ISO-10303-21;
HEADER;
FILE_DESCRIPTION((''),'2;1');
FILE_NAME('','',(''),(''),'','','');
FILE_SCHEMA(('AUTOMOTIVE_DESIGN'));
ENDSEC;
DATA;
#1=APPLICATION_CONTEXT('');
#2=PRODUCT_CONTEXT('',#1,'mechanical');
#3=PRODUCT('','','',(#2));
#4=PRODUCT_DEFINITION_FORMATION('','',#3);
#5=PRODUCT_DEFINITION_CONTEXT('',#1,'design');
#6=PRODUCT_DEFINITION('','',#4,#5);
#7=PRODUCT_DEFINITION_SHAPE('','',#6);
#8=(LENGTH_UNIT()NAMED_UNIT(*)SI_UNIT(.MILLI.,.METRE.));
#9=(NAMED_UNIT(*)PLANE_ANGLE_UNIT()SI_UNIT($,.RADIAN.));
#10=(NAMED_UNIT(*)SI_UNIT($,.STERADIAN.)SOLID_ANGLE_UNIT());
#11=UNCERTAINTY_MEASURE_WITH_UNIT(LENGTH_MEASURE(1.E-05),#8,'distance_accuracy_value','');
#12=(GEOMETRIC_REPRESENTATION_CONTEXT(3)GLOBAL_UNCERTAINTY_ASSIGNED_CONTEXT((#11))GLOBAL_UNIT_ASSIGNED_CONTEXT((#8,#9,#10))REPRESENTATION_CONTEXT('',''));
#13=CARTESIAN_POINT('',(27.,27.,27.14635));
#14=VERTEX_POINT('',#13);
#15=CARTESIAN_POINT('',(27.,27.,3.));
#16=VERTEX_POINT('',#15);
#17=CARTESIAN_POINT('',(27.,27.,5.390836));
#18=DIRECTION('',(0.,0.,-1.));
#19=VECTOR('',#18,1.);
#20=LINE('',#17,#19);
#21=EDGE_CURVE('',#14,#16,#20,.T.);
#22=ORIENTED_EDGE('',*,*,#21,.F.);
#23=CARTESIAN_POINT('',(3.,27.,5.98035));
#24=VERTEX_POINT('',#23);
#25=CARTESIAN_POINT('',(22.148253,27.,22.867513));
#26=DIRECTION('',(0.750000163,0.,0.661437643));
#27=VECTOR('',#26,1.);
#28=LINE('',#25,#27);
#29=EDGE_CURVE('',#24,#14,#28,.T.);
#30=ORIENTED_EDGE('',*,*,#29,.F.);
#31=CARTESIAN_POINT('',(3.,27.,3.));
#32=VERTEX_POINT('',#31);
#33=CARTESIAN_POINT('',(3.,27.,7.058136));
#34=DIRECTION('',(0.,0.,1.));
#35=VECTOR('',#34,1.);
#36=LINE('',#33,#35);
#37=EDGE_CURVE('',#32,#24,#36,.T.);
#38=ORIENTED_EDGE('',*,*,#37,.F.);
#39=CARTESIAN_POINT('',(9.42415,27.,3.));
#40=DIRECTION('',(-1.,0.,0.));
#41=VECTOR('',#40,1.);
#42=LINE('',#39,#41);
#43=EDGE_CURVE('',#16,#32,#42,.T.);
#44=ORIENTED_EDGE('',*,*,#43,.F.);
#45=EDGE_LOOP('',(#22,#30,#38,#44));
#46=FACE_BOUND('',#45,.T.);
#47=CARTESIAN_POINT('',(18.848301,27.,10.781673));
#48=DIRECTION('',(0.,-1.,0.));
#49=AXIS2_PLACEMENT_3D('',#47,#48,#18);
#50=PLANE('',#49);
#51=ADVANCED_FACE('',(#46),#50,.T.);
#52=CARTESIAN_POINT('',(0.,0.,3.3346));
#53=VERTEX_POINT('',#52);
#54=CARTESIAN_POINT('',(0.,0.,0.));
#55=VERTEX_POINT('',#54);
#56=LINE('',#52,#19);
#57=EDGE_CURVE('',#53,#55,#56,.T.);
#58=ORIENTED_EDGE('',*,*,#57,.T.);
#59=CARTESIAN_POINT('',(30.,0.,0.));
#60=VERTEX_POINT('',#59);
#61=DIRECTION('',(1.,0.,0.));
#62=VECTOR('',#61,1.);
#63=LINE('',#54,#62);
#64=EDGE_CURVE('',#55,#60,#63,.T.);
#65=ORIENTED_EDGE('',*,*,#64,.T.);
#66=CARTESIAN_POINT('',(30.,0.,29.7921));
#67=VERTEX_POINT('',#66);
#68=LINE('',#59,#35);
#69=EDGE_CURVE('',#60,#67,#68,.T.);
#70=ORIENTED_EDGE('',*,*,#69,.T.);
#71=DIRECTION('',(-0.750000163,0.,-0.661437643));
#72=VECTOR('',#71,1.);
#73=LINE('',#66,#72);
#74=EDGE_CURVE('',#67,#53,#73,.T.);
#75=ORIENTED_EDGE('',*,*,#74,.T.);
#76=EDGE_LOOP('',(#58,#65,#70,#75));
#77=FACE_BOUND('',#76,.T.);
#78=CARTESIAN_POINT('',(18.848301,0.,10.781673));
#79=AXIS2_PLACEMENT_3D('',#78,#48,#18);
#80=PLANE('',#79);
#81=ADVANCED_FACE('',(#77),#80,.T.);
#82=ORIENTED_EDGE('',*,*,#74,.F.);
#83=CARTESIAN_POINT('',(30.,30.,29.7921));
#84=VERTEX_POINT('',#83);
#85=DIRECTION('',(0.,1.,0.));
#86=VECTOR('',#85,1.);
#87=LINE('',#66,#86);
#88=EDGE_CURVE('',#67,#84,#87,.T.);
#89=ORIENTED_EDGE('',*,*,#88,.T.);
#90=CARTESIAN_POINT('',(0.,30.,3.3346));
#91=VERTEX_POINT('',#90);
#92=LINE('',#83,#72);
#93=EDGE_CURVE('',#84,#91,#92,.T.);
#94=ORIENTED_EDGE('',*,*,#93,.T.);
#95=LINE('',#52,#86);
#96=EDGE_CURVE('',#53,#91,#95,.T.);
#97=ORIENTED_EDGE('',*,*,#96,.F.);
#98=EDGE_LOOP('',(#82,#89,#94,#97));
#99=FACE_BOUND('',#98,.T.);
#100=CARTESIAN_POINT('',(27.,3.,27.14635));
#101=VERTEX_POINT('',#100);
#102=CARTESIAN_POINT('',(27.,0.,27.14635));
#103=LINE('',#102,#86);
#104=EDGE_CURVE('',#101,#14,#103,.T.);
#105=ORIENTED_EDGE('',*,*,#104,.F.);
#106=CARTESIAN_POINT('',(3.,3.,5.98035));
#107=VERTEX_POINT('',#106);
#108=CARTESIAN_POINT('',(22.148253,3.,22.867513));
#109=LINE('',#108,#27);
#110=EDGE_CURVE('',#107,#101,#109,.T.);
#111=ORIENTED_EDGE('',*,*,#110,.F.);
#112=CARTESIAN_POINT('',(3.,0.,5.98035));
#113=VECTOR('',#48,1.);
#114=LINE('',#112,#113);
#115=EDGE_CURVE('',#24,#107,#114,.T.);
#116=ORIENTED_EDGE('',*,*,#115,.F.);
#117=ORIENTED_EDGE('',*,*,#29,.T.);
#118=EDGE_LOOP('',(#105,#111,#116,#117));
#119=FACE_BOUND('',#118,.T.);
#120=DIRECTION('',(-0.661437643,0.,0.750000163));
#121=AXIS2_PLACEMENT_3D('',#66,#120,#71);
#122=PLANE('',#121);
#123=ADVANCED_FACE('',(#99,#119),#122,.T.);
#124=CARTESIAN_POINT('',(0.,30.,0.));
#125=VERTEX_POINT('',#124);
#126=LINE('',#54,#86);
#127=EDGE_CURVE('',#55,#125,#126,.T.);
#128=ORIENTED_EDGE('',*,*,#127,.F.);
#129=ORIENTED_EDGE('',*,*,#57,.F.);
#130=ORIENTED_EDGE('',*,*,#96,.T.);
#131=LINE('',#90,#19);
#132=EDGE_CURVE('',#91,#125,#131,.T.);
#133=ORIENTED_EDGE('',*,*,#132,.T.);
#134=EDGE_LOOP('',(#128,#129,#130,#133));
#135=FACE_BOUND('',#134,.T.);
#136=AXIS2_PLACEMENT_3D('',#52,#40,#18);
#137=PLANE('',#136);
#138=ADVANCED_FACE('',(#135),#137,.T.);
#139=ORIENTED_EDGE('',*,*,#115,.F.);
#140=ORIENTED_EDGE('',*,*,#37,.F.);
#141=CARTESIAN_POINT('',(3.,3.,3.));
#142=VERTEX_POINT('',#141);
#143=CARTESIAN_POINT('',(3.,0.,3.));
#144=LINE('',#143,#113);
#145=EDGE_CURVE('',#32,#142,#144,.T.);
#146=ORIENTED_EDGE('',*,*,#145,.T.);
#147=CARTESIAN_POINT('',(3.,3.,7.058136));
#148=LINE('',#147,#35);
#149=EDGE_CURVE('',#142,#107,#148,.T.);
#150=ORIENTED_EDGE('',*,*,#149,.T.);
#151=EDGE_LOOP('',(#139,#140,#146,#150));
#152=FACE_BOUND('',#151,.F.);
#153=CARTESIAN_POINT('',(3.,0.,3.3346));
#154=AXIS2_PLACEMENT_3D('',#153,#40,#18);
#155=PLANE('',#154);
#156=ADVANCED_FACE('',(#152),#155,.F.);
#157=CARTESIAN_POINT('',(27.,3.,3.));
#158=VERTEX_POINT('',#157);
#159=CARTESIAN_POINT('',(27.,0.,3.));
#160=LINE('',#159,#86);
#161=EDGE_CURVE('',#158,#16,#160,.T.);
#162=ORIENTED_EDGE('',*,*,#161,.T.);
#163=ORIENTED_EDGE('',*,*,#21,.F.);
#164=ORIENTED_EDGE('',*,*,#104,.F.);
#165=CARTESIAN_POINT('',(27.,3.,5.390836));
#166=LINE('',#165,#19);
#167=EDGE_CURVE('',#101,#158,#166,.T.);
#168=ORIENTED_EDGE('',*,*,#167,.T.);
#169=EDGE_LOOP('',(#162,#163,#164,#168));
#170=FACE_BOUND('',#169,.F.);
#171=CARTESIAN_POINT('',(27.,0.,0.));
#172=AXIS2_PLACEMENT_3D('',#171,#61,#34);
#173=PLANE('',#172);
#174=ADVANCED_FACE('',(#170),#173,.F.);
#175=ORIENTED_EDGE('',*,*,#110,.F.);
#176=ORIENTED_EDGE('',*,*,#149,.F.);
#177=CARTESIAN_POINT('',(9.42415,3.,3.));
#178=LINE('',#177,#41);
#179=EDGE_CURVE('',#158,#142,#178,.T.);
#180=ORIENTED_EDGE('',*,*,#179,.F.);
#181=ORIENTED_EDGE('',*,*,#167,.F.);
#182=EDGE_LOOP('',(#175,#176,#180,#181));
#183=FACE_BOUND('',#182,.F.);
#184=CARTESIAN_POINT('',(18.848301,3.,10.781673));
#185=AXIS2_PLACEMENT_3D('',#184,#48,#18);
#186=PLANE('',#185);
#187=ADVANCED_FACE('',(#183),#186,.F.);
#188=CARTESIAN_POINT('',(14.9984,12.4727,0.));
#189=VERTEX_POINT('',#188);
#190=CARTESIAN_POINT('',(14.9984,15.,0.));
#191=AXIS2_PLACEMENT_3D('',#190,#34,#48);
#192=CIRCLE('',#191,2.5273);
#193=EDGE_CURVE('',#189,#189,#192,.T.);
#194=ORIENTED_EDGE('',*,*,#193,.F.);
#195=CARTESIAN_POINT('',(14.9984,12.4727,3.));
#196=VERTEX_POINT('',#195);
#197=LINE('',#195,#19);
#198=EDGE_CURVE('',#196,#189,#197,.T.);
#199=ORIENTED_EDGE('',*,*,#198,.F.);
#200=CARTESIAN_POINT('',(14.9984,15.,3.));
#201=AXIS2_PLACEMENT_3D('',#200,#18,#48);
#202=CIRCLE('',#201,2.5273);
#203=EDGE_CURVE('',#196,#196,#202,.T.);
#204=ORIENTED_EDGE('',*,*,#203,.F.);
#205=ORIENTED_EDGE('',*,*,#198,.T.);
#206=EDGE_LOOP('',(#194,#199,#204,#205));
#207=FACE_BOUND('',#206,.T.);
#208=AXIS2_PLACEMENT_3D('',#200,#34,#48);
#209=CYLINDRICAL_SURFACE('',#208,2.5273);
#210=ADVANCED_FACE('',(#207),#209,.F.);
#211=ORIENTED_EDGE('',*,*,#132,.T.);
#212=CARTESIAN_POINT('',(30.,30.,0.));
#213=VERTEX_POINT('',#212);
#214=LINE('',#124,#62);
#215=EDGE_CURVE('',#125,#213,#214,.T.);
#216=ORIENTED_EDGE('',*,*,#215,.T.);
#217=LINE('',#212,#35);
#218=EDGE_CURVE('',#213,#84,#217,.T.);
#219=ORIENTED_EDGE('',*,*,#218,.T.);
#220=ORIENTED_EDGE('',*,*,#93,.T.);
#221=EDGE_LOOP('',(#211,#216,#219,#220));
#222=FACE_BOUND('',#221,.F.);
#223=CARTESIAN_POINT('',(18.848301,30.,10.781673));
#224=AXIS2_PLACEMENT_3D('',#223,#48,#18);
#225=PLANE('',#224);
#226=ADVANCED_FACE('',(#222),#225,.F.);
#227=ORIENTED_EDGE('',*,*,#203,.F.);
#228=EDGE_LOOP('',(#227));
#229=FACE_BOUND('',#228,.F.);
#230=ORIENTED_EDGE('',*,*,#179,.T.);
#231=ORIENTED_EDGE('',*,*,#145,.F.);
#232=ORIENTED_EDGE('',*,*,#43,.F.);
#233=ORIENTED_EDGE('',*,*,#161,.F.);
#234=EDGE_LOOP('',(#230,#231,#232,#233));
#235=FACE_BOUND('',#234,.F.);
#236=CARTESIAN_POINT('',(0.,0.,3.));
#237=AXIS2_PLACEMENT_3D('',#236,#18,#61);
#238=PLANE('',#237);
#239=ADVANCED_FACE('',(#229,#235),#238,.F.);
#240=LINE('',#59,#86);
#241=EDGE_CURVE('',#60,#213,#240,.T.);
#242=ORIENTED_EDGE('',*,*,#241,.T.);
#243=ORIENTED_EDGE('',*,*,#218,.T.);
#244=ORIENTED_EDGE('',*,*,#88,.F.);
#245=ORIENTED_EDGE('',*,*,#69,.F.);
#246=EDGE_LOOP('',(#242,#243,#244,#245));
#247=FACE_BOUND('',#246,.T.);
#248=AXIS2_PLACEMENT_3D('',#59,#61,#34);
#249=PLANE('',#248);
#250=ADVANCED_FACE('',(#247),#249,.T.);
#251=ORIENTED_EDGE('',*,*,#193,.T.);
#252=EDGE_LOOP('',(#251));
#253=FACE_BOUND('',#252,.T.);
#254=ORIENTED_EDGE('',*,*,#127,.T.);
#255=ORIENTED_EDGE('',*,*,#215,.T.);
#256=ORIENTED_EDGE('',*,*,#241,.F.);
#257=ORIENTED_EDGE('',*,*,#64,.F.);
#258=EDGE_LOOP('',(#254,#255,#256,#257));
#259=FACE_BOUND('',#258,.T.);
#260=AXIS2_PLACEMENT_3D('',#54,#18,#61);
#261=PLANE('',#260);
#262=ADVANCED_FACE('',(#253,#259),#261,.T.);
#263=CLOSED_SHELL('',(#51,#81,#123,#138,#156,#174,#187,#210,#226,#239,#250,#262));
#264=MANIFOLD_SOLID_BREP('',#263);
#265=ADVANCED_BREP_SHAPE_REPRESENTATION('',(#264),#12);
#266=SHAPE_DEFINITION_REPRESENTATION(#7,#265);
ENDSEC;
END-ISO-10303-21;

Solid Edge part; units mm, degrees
sketch "Sketch1" plane through (0, 0, 0) normal (0, -1, 0) x (1, 0, 0)
  line L0 (30, 0) -> (30, 29.7921)
  line L1 (30, 29.7921) -> (0, 3.3346)
  line L2 (0, 3.3346) -> (0, 0)
  line L3 (0, 0) -> (30, 0)
extrude "Protrusion1" add sketch "Sketch1" against normal blind 30
shell "Thinwall_1" thickness 3 removed faces 1 at (25.3, 24.7, 25.6471)
hole "Hole_1" at (14.9984, 15, 3) direction (0, 0, -1) diameter 5.0546 end up to next
